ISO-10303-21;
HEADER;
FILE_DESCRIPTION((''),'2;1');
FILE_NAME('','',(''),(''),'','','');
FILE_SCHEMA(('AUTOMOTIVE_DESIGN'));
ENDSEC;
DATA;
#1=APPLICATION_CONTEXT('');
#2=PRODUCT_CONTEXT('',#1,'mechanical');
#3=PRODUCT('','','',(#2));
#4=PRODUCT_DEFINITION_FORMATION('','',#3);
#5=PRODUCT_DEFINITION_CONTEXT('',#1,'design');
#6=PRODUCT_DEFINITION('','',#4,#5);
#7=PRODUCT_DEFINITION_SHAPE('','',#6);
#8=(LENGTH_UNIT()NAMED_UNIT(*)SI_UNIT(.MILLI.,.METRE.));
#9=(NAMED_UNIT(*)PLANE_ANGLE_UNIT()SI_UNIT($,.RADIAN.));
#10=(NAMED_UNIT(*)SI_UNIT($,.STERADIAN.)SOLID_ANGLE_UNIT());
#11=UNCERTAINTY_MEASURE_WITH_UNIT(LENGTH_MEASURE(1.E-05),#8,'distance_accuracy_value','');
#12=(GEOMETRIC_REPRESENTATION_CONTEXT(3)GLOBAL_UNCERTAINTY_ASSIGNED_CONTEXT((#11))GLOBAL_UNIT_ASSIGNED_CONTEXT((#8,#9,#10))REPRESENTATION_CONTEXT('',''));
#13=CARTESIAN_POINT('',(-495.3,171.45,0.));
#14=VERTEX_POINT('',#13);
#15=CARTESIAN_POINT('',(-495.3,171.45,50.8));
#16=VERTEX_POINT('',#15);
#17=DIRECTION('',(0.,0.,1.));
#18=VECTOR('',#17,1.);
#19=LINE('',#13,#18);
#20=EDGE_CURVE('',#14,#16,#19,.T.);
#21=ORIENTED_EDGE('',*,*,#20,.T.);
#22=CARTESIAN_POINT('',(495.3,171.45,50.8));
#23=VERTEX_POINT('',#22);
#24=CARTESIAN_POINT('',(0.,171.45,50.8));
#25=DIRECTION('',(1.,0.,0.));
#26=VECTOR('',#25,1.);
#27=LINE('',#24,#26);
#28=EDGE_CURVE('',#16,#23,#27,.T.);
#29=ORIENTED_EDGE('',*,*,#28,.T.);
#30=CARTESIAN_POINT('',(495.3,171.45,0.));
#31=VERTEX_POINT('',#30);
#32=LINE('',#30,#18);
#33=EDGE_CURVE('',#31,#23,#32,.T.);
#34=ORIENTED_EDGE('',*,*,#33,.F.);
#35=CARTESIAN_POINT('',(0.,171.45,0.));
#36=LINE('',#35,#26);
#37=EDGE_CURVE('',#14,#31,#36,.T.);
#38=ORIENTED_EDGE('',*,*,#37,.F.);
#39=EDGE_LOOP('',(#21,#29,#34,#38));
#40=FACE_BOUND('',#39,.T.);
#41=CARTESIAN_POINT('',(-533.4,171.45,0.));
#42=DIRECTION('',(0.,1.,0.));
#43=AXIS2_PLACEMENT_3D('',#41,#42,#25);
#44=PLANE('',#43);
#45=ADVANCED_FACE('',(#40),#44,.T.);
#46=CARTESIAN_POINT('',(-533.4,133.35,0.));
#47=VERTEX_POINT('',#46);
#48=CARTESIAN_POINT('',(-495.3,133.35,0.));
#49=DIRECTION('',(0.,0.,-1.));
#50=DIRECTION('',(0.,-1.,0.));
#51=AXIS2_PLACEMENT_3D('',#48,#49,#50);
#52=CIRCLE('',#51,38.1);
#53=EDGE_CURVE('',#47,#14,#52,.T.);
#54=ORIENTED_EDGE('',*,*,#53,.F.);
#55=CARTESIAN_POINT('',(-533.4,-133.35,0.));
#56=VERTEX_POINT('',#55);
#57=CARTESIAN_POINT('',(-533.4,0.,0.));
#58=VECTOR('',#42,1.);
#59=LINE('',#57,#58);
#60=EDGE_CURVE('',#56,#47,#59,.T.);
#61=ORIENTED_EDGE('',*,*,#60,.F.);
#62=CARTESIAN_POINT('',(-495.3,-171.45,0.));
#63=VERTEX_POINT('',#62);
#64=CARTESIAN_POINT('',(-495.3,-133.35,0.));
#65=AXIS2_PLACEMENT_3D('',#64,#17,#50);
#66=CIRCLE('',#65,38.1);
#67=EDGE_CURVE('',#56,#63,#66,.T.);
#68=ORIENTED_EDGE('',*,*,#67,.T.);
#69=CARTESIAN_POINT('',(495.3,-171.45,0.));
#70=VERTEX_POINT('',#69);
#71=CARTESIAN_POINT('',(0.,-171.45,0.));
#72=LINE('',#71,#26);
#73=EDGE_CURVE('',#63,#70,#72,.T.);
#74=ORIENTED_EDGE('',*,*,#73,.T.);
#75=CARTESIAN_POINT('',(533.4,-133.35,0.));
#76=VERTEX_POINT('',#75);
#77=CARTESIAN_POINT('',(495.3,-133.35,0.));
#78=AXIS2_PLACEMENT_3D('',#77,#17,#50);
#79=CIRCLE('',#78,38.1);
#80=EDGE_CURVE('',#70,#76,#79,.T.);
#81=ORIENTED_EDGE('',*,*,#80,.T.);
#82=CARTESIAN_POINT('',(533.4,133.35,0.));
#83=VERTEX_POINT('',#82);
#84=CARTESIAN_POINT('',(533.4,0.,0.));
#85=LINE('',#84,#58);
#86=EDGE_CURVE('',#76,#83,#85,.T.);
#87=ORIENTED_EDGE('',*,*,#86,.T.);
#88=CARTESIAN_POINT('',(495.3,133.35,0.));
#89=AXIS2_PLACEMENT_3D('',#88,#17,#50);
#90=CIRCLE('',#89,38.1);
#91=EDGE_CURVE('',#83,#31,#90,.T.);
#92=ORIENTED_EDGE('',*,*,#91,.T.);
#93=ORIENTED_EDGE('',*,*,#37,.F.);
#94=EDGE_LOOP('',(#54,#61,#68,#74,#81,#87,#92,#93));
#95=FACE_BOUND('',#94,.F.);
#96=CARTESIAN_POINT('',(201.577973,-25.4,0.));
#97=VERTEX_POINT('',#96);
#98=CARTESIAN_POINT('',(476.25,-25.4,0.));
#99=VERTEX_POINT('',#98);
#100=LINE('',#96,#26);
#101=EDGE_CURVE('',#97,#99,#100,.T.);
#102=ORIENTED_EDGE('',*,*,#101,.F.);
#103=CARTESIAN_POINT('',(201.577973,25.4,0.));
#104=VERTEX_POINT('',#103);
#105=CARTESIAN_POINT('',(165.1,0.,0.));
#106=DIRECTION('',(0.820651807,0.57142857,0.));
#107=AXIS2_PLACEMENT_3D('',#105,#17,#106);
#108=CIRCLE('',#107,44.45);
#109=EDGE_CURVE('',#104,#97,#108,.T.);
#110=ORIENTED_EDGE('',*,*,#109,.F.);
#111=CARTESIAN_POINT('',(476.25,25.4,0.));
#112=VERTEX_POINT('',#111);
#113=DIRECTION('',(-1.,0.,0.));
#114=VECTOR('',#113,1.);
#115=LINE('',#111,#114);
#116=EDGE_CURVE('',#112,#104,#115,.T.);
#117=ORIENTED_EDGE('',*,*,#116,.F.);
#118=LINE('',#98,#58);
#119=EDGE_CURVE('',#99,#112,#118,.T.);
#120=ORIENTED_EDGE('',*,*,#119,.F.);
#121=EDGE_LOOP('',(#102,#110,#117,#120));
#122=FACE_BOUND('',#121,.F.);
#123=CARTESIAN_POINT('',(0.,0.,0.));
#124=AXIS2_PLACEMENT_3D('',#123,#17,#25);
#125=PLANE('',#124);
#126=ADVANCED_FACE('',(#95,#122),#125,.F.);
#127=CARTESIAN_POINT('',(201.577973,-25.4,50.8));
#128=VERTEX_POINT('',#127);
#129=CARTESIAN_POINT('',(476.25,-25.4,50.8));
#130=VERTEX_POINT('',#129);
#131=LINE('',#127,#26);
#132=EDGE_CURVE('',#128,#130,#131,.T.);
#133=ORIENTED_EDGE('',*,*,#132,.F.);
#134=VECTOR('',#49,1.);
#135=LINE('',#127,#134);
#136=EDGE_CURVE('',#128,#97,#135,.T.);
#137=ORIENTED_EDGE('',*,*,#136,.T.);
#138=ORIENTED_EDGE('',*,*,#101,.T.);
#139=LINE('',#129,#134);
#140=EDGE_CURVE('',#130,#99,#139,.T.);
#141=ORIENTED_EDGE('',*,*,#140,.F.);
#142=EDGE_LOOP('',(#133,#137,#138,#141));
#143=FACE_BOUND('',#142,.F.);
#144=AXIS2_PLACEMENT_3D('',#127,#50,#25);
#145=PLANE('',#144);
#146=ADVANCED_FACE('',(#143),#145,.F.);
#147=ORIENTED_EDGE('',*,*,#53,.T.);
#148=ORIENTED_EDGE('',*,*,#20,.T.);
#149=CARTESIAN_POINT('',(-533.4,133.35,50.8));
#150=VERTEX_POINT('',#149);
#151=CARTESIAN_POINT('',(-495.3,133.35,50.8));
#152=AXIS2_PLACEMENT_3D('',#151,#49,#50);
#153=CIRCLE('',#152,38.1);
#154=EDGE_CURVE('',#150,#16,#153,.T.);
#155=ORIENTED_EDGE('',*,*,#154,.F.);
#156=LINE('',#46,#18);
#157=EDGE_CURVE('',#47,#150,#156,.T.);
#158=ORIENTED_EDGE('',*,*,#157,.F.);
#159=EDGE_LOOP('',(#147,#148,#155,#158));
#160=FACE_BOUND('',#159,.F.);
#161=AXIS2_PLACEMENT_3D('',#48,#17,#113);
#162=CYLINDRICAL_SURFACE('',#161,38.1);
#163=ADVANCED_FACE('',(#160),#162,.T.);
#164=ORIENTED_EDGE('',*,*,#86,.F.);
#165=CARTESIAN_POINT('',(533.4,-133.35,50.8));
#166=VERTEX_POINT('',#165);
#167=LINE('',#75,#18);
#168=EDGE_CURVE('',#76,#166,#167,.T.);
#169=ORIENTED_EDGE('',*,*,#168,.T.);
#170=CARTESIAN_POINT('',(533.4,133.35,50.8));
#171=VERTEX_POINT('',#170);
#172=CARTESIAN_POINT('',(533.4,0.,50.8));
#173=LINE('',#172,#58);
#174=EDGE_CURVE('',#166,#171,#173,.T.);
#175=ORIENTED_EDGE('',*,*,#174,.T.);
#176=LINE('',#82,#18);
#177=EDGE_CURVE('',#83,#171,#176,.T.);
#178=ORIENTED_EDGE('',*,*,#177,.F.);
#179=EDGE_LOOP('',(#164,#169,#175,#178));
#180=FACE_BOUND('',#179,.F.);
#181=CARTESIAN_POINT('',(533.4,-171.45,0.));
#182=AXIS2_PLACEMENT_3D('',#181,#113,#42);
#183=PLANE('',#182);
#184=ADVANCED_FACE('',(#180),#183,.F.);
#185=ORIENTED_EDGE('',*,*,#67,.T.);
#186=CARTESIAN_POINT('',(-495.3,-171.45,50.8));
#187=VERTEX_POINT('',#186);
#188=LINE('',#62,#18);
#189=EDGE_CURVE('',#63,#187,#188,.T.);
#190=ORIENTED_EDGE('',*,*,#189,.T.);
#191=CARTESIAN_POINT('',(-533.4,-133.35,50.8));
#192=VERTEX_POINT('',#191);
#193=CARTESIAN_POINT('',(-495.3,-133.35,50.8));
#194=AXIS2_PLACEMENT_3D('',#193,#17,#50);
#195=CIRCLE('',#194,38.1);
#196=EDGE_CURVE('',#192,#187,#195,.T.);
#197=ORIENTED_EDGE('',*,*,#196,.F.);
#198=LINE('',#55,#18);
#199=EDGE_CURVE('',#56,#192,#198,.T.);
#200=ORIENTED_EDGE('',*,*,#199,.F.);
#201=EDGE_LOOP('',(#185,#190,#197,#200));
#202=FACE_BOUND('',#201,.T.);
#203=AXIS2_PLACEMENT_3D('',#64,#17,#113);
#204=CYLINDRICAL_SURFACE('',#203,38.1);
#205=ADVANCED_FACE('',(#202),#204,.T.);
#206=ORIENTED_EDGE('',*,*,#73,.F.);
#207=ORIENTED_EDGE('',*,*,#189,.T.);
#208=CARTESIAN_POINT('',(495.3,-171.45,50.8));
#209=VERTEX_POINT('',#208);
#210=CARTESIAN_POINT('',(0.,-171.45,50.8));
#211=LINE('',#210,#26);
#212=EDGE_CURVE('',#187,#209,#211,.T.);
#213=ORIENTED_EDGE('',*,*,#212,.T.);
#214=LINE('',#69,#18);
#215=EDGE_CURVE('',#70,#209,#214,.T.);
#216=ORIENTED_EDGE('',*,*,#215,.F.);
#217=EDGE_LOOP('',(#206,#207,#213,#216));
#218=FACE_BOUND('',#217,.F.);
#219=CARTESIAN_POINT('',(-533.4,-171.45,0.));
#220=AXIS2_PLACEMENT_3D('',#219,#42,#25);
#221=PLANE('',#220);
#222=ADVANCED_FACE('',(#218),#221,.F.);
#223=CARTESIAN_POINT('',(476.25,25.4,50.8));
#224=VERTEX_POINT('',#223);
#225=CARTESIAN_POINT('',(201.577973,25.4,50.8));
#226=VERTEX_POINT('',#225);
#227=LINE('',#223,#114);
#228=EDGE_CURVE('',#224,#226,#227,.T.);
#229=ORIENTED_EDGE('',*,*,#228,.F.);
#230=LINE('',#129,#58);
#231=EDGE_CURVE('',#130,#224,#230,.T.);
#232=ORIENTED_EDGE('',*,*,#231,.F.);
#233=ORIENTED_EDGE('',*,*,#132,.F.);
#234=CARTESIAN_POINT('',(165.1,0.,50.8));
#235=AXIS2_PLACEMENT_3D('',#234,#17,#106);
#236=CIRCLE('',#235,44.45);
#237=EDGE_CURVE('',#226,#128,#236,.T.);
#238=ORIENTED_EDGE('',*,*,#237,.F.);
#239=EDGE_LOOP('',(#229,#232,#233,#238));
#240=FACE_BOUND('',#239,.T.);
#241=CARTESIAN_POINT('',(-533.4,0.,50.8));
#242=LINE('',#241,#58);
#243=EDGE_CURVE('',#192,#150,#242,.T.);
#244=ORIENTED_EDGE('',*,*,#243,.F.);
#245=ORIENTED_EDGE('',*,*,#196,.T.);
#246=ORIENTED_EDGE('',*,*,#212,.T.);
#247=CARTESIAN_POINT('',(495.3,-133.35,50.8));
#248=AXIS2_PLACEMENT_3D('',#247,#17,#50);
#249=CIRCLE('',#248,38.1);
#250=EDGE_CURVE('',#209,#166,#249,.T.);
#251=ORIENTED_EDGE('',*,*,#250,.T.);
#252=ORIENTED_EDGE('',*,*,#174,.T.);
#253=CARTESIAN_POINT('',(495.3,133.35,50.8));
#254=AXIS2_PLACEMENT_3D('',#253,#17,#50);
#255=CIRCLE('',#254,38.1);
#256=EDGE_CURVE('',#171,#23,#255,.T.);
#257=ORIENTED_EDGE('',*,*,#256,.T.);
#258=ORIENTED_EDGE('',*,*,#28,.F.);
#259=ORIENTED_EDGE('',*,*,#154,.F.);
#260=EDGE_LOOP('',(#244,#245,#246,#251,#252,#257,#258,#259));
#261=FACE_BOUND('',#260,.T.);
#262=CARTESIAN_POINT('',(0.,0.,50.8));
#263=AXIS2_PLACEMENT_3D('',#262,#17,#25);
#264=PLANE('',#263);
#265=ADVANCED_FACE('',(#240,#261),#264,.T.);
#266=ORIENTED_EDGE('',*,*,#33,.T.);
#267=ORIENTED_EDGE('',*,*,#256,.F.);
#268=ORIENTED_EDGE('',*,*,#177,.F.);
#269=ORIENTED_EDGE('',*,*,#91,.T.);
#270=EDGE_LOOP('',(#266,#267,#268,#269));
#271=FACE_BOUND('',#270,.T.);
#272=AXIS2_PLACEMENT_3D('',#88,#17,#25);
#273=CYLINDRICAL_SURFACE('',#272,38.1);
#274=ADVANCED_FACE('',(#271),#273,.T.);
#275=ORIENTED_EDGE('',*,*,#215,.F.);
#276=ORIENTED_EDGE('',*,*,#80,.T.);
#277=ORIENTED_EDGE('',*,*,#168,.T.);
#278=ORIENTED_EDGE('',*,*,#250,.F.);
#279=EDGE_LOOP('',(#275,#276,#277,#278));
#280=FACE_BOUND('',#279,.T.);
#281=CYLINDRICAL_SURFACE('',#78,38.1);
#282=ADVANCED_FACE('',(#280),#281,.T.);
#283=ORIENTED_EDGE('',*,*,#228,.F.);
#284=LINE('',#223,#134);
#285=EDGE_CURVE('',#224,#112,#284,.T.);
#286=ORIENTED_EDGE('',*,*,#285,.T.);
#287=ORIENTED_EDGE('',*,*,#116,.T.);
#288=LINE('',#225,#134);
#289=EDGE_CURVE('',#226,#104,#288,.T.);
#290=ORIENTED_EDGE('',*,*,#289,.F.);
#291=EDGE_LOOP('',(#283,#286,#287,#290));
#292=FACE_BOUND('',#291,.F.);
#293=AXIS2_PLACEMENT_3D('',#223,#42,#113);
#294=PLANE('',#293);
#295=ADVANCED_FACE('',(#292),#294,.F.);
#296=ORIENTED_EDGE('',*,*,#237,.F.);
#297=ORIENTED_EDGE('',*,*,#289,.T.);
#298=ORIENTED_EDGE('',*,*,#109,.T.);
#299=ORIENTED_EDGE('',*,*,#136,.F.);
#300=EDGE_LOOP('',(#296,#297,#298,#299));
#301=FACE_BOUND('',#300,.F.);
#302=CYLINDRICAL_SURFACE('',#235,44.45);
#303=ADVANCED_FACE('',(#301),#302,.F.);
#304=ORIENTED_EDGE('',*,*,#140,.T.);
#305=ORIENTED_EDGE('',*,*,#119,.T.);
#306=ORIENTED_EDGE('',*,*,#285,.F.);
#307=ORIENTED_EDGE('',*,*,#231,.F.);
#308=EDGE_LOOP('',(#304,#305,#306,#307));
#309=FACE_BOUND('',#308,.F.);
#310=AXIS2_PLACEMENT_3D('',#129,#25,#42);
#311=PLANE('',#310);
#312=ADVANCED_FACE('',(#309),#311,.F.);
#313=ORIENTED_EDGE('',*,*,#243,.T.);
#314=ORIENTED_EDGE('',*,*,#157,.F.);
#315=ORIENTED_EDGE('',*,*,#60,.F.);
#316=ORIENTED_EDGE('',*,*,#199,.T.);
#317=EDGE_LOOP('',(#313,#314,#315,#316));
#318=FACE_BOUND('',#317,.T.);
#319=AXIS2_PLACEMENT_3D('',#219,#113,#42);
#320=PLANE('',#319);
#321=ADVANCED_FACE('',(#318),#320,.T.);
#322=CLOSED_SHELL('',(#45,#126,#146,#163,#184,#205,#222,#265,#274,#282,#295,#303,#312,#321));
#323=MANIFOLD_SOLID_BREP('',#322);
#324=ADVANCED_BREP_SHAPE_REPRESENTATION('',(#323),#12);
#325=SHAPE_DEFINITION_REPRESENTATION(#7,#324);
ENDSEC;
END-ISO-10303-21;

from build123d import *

# Parameters (mm, degrees)
F0_W     = 1066.8
F0_H     = 342.9
F1_DEPTH = 50.8
F2_R     = 38.1
F4_DEPTH = 50.8


with BuildPart() as f1:
    # F0 (on Top) → F1 (new body)
    with BuildSketch(Plane.XY):
        Rectangle(F0_W, F0_H)
    extrude(amount=F1_DEPTH)

    # F2
    f2_edges = [f1.edges().sort_by_distance(p)[0] for p in [
        (-533.4, 171.45, 25.4),
        (-533.4, -171.45, 25.4),
        (533.4, 171.45, 25.4),
        (533.4, -171.45, 25.4),
    ]]
    fillet(f2_edges, radius=F2_R)

    # F3 (on face) → F4 (cut)
    with BuildSketch(Plane.XY.offset(50.8)):
        with BuildLine():
            ThreePointArc((201.577973, -25.4), (207.51019, -13.310834), (209.55, 0))
            ThreePointArc((209.55, 0), (207.51019, 13.310834), (201.577973, 25.4))
            ThreePointArc((201.577973, 25.4), (120.65, 0), (201.577973, -25.4))
        make_face()
        with BuildLine():
            ThreePointArc((201.577973, 25.4), (207.51019, 13.310834), (209.55, 0))
            ThreePointArc((209.55, 0), (207.51019, -13.310834), (201.577973, -25.4))
            Line((201.577973, -25.4), (476.25, -25.4))
            Line((476.25, -25.4), (476.25, 25.4))
            Line((476.25, 25.4), (201.577973, 25.4))
        make_face()
    extrude(amount=-F4_DEPTH, mode=Mode.SUBTRACT)


solid = f1.part
